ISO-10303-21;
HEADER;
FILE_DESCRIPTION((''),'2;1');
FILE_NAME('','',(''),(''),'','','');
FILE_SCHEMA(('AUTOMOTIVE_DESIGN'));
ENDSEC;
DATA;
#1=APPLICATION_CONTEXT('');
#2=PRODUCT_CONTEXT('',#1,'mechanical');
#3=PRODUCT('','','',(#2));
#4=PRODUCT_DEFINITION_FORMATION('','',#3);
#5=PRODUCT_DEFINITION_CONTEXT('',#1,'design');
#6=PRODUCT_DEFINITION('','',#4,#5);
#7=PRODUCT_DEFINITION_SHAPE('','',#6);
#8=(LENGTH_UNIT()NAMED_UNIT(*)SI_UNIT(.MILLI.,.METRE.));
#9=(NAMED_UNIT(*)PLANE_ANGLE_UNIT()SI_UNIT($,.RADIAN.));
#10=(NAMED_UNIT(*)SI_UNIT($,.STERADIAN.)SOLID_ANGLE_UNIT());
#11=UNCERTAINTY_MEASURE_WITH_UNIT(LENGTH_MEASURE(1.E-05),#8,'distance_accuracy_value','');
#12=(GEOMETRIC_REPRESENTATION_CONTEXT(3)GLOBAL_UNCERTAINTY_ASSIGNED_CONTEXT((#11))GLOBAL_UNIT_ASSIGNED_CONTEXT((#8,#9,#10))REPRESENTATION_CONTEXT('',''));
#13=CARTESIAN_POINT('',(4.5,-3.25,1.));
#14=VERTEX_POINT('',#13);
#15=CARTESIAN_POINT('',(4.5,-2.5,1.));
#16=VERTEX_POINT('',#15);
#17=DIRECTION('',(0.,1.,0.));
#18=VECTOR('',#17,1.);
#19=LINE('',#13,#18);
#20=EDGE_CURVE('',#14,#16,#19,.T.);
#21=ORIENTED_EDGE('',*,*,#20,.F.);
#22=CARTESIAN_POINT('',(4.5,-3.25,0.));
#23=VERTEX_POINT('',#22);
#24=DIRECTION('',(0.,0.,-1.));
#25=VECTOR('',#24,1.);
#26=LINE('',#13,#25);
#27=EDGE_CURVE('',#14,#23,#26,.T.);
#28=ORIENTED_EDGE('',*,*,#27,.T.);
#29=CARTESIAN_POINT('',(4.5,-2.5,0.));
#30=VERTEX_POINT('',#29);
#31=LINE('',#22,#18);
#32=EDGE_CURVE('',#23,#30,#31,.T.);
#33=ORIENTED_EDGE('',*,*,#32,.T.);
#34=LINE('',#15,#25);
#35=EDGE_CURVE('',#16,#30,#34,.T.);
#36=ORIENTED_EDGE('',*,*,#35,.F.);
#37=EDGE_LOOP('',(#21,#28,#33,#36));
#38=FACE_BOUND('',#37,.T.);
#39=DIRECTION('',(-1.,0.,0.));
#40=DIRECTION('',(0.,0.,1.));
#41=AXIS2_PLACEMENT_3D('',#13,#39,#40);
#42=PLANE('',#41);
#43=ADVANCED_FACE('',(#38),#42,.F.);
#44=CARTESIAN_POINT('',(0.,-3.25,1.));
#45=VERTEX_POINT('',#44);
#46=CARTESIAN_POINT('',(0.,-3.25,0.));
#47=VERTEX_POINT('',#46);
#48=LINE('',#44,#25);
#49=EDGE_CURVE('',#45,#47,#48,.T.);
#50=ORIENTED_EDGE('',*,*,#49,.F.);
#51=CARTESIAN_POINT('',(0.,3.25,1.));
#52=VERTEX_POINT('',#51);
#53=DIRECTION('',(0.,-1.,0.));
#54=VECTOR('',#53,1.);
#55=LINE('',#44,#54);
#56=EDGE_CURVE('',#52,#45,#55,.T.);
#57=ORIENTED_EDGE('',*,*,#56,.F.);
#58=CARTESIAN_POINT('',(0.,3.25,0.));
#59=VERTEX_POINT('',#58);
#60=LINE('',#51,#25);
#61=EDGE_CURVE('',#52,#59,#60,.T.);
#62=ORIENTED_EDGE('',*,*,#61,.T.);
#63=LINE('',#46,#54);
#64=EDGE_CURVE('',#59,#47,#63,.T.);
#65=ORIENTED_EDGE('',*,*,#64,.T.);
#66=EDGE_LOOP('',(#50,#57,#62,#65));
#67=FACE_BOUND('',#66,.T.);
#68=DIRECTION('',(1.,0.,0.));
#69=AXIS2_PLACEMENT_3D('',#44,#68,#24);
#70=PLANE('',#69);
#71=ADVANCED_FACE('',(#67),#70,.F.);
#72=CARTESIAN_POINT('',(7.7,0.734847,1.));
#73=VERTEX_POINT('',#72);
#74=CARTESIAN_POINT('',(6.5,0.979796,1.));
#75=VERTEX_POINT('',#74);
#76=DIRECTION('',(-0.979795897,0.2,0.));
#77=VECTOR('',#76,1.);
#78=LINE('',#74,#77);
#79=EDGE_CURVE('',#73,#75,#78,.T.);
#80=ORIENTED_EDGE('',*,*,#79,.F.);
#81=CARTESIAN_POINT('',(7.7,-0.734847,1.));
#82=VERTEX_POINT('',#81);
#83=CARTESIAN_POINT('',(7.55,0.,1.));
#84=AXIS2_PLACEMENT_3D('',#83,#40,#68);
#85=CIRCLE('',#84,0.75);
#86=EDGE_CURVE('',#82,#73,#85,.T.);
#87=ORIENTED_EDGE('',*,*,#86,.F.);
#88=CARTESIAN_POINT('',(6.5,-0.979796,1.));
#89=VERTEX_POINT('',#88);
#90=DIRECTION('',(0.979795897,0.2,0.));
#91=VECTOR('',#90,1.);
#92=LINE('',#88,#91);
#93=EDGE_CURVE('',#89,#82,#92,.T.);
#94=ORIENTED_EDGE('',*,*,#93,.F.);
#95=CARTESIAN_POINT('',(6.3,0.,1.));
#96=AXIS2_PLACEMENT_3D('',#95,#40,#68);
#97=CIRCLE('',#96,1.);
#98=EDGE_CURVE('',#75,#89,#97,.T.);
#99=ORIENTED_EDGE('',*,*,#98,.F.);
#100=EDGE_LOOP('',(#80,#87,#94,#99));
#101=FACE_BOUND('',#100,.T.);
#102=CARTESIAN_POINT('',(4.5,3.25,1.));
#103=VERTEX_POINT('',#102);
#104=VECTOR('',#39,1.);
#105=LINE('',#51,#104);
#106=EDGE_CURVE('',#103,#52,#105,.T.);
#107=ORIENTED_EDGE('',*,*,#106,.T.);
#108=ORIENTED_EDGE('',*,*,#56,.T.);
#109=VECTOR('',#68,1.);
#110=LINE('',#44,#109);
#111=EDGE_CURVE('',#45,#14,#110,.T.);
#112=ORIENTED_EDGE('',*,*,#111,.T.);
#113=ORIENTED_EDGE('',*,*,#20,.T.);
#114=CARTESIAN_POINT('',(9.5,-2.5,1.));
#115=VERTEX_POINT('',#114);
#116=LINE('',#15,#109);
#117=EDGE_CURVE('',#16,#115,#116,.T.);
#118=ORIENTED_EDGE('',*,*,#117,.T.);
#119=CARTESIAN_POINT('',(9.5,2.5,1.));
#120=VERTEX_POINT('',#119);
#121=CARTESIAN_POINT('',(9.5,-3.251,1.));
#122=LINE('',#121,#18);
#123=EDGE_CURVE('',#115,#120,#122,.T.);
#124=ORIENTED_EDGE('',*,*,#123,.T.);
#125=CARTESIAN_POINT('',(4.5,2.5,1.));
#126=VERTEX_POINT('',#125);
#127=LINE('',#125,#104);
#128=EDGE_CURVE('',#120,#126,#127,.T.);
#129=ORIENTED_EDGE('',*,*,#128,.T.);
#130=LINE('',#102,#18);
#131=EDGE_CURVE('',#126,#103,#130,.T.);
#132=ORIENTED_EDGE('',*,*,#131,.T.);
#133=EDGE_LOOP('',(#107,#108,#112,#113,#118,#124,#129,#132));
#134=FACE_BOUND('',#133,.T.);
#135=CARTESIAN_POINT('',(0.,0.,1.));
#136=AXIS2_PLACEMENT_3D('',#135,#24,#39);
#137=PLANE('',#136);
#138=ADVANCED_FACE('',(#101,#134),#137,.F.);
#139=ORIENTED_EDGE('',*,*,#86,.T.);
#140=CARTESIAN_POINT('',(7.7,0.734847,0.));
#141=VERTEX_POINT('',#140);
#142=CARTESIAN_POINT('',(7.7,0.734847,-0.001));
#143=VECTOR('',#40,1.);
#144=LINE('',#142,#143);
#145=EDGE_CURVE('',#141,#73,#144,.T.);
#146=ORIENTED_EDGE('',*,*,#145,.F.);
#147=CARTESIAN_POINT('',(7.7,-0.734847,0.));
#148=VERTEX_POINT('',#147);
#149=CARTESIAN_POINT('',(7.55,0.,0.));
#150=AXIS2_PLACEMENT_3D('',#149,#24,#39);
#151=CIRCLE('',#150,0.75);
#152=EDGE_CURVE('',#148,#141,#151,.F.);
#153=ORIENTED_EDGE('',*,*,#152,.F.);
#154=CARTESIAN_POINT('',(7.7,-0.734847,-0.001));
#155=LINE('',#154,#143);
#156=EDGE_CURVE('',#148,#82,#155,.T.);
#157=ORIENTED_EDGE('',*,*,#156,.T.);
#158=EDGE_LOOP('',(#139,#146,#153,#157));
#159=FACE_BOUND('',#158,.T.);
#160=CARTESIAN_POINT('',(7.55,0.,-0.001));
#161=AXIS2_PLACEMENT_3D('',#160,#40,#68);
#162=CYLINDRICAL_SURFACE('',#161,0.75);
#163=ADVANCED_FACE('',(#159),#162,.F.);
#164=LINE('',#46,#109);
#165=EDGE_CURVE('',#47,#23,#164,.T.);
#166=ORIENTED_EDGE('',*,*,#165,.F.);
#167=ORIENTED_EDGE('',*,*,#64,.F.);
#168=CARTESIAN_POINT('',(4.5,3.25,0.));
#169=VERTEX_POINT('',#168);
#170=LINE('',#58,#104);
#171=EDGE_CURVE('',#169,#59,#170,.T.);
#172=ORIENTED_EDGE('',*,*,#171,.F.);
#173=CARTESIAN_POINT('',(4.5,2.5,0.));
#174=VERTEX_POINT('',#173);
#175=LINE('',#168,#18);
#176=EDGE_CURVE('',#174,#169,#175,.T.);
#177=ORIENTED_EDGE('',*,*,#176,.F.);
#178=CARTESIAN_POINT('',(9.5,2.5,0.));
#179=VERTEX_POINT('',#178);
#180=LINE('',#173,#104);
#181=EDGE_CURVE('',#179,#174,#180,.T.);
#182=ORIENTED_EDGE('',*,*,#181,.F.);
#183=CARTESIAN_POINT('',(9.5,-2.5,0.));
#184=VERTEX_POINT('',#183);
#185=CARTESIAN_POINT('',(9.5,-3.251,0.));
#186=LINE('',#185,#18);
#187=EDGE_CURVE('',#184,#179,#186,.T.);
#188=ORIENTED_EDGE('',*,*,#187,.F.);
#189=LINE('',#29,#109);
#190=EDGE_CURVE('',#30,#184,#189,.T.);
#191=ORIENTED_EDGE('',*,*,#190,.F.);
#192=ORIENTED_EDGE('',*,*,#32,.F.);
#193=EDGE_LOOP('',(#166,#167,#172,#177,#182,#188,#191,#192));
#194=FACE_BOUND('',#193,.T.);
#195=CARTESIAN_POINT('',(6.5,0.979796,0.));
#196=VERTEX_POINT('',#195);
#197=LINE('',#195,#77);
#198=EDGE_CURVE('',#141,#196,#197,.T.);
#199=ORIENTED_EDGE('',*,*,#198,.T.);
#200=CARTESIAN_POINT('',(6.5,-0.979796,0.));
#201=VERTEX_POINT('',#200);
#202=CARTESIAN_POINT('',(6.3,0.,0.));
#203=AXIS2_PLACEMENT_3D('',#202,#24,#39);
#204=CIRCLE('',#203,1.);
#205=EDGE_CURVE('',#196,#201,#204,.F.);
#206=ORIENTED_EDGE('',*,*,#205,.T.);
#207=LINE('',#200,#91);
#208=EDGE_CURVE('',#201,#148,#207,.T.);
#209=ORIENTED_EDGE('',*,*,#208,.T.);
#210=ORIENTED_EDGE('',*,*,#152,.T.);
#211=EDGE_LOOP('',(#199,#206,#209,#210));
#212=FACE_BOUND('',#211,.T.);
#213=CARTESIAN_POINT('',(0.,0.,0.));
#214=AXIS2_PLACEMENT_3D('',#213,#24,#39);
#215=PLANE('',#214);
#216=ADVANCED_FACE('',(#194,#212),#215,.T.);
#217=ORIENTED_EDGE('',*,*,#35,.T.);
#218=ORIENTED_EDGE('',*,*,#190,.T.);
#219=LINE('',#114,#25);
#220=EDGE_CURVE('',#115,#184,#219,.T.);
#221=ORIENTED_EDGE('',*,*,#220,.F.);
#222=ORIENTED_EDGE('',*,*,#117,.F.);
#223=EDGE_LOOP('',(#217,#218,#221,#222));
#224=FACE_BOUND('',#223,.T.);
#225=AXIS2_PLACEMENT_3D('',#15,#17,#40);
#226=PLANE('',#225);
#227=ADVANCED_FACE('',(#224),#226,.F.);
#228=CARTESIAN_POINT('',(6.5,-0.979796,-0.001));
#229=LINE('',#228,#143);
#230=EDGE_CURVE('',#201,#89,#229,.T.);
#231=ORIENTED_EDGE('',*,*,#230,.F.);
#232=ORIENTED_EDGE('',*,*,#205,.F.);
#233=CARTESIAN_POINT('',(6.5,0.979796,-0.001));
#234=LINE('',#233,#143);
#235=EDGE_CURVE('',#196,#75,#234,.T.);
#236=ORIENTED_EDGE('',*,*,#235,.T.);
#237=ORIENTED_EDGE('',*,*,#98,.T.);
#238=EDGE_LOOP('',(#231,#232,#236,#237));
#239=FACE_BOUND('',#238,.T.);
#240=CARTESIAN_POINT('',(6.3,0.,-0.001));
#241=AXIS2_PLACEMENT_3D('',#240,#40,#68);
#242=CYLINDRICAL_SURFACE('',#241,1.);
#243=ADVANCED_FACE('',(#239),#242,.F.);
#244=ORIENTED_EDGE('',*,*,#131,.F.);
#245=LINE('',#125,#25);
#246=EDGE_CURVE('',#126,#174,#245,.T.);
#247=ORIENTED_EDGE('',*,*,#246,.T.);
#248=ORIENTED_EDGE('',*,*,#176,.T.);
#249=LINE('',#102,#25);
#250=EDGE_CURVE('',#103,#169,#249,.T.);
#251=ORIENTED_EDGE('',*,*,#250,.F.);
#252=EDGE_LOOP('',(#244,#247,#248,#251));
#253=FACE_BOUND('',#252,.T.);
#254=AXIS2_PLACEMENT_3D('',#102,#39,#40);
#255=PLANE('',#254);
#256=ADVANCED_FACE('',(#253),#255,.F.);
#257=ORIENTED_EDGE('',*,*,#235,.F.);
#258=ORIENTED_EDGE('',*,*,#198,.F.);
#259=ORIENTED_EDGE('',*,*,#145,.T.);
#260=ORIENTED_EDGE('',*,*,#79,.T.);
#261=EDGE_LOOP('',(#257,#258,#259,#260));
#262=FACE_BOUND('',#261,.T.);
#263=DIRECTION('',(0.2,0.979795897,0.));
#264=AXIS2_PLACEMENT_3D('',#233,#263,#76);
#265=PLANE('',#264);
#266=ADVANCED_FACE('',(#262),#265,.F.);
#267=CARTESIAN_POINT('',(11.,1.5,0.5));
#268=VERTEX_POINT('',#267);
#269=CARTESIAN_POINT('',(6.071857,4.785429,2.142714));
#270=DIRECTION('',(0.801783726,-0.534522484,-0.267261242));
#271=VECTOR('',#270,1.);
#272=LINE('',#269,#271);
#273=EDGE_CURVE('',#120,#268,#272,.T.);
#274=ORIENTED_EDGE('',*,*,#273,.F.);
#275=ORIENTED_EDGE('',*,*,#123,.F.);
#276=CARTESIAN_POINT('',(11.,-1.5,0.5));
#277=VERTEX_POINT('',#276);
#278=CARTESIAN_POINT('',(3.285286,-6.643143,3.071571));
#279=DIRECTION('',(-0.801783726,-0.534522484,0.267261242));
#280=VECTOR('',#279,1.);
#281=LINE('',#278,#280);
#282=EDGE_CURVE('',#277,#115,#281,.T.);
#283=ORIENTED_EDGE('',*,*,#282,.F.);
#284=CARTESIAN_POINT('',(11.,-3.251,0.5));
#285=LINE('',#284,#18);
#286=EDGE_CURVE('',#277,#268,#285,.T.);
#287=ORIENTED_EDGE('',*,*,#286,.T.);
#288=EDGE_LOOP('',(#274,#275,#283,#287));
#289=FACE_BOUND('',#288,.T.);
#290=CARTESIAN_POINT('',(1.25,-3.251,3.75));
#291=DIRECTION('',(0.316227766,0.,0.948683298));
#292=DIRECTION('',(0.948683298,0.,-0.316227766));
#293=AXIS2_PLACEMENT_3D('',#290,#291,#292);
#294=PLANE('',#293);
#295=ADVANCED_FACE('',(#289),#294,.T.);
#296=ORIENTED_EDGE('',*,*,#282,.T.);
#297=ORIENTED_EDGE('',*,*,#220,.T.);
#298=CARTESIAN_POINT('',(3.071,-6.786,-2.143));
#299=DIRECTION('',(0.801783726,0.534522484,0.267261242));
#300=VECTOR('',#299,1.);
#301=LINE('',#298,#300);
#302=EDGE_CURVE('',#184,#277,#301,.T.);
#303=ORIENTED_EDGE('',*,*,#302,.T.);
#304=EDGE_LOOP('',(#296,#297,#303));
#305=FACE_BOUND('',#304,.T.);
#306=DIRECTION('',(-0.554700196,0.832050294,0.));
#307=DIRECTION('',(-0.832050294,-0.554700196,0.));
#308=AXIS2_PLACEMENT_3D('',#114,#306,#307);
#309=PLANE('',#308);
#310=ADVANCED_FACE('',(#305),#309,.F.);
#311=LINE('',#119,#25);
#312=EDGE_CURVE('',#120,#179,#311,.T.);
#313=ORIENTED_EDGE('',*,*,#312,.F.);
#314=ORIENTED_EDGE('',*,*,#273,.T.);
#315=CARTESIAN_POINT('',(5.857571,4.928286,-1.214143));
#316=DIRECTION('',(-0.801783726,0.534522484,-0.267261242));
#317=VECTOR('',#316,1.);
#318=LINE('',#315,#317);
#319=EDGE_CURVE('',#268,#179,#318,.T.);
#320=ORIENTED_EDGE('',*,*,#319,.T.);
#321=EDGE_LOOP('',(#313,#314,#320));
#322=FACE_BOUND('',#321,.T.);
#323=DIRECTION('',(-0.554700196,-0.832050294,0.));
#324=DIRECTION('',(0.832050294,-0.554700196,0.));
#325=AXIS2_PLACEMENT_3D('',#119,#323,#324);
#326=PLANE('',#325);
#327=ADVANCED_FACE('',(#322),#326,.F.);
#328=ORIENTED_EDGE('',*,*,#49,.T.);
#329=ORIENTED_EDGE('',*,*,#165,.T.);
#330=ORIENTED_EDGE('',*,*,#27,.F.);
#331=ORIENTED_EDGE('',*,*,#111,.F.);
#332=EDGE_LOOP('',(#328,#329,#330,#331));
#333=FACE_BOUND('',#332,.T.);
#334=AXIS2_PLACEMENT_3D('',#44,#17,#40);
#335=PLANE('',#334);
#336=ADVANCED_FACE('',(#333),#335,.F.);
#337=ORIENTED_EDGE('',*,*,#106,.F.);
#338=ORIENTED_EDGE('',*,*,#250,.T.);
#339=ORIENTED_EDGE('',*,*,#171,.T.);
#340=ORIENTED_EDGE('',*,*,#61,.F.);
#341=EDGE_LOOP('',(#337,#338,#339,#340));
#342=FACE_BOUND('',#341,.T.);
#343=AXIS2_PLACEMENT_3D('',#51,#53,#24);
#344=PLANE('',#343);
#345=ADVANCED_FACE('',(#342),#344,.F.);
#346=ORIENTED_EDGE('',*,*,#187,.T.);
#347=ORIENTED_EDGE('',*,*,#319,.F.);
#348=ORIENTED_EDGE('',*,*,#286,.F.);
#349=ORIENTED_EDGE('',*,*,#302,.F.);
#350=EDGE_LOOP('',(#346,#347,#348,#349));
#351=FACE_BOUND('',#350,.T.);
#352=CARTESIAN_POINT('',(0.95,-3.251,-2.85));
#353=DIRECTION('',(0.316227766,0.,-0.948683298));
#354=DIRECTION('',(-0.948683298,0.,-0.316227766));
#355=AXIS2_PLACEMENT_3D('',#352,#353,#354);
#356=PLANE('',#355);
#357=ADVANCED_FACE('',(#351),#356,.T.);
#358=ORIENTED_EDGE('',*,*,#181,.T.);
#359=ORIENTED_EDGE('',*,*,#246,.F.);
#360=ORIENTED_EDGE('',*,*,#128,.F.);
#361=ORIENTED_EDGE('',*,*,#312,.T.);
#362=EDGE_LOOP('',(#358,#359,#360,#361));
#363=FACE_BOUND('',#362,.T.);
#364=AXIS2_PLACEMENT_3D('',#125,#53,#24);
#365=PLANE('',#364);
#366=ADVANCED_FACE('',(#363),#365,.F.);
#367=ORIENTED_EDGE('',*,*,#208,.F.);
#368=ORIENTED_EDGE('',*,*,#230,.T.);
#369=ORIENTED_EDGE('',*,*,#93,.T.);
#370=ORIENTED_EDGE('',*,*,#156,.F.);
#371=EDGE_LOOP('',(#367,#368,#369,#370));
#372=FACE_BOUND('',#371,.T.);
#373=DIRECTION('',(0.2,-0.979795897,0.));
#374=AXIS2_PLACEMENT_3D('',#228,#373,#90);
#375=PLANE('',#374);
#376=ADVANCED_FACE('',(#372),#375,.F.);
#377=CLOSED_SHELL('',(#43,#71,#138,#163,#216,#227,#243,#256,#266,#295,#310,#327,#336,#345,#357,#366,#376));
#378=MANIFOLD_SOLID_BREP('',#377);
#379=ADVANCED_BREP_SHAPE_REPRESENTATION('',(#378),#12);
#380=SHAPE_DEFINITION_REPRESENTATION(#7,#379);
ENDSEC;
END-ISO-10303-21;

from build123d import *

# Parameters (mm, degrees)
DODANIE_WYCI_GNI_CIE1_DEPTH = 1
WYTNIJ_WYCI_GNI_CIE1_REACH  = 3
WYTNIJ_WYCI_GNI_CIE2_REACH  = 7.75


with BuildPart() as part:
    # Szkic1 → Dodanie-wyciągnięcie1 (new body)
    with BuildSketch(Plane.XY):
        Polygon((0, -3.25), (0, 3.25), (4.5, 3.25), (4.5, 2.5), (9.5, 2.5), (11, 1.5), (11, -1.5), (9.5, -2.5), (4.5, -2.5), (4.5, -3.25), align=None)
    extrude(amount=DODANIE_WYCI_GNI_CIE1_DEPTH)

    # Szkic2 → Wytnij-wyciągnięcie1 (cut, up to next)
    with BuildSketch(Plane.XY.offset(1), mode=Mode.PRIVATE) as wytnij_wyci_gni_cie1_sk1:
        with BuildLine():
            Line((6.5, 0.979795897), (7.7, 0.734846923))
            ThreePointArc((7.7, 0.734846923), (8.3, 0), (7.7, -0.734846923))
            Line((7.7, -0.734846923), (6.5, -0.979795897))
            ThreePointArc((6.5, -0.979795897), (5.3, 0), (6.5, 0.979795897))
        make_face()
    wytnij_wyci_gni_cie1_tool1 = extrude(wytnij_wyci_gni_cie1_sk1.sketch, amount=-WYTNIJ_WYCI_GNI_CIE1_REACH, mode=Mode.PRIVATE) & part.part
    add(wytnij_wyci_gni_cie1_tool1.solids().sort_by_distance((6.737463, 0, 1))[0], mode=Mode.SUBTRACT)

    # Szkic3 → Wytnij-wyciągnięcie2 (cut, up to next)
    with BuildSketch(Plane(origin=(0, 2.5, 0), x_dir=(1, 0, 0), z_dir=(0, 1, 0)), mode=Mode.PRIVATE) as wytnij_wyci_gni_cie2_sk1:
        Polygon((11, -1), (11, -0.5), (9.5, -1), align=None)
    wytnij_wyci_gni_cie2_tool1 = extrude(wytnij_wyci_gni_cie2_sk1.sketch, amount=-WYTNIJ_WYCI_GNI_CIE2_REACH, mode=Mode.PRIVATE) & part.part
    add(wytnij_wyci_gni_cie2_tool1.solids().sort_by_distance((10.5, 2.5, 0.833333))[0], mode=Mode.SUBTRACT)
    # Szkic3 → Wytnij-wyciągnięcie2 (cut, up to next)
    with BuildSketch(Plane(origin=(0, 2.5, 0), x_dir=(1, 0, 0), z_dir=(0, 1, 0)), mode=Mode.PRIVATE) as wytnij_wyci_gni_cie2_sk2:
        Polygon((9.5, 0), (11, -0.5), (11, 0), align=None)
    wytnij_wyci_gni_cie2_tool2 = extrude(wytnij_wyci_gni_cie2_sk2.sketch, amount=-WYTNIJ_WYCI_GNI_CIE2_REACH, mode=Mode.PRIVATE) & part.part
    add(wytnij_wyci_gni_cie2_tool2.solids().sort_by_distance((10.5, 2.5, 0.166667))[0], mode=Mode.SUBTRACT)


solid = part.part
